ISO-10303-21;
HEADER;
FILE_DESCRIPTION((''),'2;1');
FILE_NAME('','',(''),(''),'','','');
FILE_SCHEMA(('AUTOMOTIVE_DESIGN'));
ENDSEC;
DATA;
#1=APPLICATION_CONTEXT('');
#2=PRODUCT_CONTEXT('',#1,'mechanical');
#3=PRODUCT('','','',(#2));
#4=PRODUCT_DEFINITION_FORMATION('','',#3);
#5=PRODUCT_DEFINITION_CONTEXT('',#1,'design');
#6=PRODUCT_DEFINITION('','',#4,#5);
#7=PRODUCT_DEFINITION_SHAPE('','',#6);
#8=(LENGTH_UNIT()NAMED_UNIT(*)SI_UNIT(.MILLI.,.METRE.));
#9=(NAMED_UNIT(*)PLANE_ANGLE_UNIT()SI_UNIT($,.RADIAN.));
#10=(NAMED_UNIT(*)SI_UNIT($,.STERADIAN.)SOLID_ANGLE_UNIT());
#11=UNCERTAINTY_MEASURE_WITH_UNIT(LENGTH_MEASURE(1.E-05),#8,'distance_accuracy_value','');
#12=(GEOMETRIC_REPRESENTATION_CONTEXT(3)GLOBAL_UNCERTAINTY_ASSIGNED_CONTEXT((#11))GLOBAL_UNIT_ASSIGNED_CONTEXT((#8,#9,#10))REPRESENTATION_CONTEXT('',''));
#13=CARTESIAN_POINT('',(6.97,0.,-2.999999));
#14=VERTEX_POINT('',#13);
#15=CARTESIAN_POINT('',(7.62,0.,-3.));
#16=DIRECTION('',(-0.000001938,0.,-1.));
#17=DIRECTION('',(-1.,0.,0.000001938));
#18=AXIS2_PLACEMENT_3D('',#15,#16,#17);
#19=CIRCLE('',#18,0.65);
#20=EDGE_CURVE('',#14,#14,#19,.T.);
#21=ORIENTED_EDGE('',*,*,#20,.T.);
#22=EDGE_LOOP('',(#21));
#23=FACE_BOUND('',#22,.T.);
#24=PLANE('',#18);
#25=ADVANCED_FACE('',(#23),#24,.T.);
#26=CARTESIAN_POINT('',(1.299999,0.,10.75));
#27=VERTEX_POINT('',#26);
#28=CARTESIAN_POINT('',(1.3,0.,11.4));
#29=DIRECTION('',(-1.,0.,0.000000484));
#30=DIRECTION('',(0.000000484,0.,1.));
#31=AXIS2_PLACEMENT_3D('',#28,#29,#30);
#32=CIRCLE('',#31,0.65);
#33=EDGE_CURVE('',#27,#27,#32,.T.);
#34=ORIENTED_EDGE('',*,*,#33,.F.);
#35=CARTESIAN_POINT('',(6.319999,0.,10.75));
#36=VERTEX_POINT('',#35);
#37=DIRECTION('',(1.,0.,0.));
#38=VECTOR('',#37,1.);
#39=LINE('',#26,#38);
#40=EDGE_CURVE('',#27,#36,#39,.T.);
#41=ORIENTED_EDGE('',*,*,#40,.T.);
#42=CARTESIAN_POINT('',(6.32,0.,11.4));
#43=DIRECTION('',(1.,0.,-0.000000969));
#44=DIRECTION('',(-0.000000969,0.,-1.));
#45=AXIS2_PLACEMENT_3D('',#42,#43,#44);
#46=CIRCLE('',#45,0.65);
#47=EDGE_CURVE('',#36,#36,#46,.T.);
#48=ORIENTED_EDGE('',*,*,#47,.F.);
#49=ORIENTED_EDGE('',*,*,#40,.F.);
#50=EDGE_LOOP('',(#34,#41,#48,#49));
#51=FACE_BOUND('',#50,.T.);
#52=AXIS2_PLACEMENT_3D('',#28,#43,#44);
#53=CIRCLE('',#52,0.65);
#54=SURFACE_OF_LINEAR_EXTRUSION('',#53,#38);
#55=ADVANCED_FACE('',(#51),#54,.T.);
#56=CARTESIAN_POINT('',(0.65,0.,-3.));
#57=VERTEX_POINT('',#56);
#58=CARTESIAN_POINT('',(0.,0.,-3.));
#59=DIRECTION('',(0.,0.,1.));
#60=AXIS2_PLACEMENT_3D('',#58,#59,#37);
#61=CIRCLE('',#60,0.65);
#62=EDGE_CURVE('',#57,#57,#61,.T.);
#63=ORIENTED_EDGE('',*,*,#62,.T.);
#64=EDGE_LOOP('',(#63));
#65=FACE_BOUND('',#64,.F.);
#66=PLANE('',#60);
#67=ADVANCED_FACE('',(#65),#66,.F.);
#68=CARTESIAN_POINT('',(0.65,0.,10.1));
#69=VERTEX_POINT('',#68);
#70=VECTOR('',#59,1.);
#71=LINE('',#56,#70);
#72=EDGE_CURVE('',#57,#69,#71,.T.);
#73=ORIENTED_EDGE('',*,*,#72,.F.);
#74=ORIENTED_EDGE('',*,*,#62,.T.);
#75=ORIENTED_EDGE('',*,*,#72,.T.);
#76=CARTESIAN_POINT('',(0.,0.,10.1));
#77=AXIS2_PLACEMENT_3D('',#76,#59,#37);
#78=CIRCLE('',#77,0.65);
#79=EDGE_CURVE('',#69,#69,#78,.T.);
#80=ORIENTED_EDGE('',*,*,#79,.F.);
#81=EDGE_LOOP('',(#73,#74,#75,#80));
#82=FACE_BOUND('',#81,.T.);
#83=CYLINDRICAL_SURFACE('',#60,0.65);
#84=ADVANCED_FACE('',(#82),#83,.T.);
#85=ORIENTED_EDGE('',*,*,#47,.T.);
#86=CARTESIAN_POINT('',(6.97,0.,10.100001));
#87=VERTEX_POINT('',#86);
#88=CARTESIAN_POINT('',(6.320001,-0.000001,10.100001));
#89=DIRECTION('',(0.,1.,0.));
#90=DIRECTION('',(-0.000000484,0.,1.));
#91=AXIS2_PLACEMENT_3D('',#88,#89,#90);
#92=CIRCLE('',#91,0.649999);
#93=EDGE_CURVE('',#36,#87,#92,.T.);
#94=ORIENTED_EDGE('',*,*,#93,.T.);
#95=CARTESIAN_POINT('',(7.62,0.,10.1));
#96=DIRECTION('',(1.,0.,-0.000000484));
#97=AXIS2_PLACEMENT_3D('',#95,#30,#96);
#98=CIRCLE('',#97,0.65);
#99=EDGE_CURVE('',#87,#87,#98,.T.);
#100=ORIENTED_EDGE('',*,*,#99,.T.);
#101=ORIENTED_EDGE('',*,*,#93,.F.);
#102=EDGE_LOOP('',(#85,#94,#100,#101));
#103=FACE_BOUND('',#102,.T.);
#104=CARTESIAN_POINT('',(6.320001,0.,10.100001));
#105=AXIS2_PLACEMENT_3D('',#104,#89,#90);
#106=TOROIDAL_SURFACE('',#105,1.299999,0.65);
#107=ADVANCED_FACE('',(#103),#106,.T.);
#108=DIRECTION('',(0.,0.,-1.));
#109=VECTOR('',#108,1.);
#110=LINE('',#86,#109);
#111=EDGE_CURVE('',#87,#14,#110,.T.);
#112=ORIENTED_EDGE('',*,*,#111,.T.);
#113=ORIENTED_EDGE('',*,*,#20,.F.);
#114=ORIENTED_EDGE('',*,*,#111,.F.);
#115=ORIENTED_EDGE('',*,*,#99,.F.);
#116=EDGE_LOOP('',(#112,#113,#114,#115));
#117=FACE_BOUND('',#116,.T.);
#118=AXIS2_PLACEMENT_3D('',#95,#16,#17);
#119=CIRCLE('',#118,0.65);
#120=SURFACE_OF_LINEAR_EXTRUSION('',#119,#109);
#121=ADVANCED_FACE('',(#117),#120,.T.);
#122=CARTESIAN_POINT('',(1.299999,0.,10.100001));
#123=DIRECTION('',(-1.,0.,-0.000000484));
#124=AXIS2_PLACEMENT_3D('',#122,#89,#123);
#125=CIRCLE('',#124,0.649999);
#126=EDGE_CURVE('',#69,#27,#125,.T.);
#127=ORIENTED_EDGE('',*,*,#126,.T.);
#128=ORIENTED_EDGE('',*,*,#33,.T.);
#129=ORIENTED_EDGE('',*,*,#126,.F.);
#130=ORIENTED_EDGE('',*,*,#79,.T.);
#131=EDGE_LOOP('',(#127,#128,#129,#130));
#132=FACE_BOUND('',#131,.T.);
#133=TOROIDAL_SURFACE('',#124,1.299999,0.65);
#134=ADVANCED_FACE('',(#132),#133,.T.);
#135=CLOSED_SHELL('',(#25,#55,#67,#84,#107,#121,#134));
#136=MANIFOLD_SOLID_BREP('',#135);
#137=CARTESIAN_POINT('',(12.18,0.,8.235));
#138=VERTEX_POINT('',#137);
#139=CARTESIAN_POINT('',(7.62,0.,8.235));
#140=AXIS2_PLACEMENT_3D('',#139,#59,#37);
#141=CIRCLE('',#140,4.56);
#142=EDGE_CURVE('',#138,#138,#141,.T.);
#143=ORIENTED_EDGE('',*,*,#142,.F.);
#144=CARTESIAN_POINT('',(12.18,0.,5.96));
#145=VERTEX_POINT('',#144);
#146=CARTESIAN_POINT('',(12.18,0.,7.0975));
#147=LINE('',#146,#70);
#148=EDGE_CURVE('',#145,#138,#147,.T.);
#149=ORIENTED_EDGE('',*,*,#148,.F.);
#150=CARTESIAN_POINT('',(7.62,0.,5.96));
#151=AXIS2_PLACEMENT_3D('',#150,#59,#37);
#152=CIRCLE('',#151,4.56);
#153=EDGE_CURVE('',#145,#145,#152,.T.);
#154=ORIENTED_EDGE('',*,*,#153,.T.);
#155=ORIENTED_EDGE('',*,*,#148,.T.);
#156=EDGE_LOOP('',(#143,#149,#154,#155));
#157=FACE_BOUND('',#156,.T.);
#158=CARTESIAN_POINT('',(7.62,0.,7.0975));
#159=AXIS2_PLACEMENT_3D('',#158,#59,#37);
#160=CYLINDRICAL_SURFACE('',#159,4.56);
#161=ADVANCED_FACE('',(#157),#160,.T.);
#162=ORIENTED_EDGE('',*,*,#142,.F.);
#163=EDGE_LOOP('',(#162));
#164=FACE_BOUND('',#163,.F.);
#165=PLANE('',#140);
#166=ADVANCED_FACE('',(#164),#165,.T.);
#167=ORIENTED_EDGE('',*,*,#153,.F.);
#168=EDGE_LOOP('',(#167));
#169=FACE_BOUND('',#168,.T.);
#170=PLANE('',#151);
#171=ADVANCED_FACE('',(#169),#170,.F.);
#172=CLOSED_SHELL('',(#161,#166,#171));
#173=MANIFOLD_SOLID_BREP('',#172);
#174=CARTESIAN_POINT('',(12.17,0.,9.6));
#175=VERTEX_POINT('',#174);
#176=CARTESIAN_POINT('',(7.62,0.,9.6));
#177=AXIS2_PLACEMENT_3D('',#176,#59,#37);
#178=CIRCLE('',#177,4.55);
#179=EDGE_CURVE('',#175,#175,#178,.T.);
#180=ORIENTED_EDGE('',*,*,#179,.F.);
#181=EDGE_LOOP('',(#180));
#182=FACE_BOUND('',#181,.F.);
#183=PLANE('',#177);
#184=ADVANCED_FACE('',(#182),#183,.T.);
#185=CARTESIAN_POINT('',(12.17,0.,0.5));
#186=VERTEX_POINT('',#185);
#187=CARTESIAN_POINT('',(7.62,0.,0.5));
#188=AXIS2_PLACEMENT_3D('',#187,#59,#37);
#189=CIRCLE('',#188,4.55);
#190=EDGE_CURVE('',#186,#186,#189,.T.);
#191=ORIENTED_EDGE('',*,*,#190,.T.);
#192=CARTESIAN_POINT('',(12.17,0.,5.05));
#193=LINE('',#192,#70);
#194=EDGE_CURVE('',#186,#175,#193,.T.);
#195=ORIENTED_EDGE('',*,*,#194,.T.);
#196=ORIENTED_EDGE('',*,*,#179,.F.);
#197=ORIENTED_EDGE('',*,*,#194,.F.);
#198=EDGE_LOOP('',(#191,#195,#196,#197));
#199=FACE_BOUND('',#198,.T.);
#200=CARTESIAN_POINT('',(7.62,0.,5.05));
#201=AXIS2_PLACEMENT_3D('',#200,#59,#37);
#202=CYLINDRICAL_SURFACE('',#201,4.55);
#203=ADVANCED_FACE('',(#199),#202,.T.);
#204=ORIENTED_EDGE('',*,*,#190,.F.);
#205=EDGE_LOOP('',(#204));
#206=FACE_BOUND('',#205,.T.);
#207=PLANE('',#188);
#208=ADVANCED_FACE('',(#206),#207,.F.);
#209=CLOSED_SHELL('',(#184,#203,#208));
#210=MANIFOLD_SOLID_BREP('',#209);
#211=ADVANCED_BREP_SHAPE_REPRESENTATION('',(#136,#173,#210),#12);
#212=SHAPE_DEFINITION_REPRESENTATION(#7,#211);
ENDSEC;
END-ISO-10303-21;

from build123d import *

# Parameters (mm, degrees)
SKETCH001_R = 0.65
SKETCH002_W = 4.55
SKETCH002_H = 9.1
SKETCH003_W = 4.56
SKETCH003_H = 2.275


with BuildPart() as sweep_body:
    # Sweep: sweep along a path in Sketch
    with BuildLine(Plane.XZ) as sweep_path:
        Line((0, -3), (0, 10.1))
        ThreePointArc((0, 10.1), (0.380761, 11.019239), (1.3, 11.4))
        Line((1.3, 11.4), (6.32, 11.4))
        ThreePointArc((6.32, 11.4), (7.239239, 11.019239), (7.62, 10.1))
        Line((7.62, 10.1), (7.62, -3))
    # Sketch001 → Sweep (sweep)
    with BuildSketch(Plane.XY):
        Circle(SKETCH001_R)
    sweep(path=sweep_path.line)


with BuildPart() as revolution:
    # Sketch002 → Revolution (revolve)
    with BuildSketch(Plane.XZ):
        with Locations((9.895, 5.05)):
            Rectangle(SKETCH002_W, SKETCH002_H)
    revolve(axis=Axis((7.62, 0, 0.5), (0, 0, 1)))


with BuildPart() as revolution001:
    # Sketch003 → Revolution001 (revolve)
    with BuildSketch(Plane.XZ):
        with Locations((9.9, 7.0975)):
            Rectangle(SKETCH003_W, SKETCH003_H)
    revolve(axis=Axis((7.62, 0, 5.96), (0, 0, 1)))


solid = Compound([sweep_body.part, revolution.part, revolution001.part])
